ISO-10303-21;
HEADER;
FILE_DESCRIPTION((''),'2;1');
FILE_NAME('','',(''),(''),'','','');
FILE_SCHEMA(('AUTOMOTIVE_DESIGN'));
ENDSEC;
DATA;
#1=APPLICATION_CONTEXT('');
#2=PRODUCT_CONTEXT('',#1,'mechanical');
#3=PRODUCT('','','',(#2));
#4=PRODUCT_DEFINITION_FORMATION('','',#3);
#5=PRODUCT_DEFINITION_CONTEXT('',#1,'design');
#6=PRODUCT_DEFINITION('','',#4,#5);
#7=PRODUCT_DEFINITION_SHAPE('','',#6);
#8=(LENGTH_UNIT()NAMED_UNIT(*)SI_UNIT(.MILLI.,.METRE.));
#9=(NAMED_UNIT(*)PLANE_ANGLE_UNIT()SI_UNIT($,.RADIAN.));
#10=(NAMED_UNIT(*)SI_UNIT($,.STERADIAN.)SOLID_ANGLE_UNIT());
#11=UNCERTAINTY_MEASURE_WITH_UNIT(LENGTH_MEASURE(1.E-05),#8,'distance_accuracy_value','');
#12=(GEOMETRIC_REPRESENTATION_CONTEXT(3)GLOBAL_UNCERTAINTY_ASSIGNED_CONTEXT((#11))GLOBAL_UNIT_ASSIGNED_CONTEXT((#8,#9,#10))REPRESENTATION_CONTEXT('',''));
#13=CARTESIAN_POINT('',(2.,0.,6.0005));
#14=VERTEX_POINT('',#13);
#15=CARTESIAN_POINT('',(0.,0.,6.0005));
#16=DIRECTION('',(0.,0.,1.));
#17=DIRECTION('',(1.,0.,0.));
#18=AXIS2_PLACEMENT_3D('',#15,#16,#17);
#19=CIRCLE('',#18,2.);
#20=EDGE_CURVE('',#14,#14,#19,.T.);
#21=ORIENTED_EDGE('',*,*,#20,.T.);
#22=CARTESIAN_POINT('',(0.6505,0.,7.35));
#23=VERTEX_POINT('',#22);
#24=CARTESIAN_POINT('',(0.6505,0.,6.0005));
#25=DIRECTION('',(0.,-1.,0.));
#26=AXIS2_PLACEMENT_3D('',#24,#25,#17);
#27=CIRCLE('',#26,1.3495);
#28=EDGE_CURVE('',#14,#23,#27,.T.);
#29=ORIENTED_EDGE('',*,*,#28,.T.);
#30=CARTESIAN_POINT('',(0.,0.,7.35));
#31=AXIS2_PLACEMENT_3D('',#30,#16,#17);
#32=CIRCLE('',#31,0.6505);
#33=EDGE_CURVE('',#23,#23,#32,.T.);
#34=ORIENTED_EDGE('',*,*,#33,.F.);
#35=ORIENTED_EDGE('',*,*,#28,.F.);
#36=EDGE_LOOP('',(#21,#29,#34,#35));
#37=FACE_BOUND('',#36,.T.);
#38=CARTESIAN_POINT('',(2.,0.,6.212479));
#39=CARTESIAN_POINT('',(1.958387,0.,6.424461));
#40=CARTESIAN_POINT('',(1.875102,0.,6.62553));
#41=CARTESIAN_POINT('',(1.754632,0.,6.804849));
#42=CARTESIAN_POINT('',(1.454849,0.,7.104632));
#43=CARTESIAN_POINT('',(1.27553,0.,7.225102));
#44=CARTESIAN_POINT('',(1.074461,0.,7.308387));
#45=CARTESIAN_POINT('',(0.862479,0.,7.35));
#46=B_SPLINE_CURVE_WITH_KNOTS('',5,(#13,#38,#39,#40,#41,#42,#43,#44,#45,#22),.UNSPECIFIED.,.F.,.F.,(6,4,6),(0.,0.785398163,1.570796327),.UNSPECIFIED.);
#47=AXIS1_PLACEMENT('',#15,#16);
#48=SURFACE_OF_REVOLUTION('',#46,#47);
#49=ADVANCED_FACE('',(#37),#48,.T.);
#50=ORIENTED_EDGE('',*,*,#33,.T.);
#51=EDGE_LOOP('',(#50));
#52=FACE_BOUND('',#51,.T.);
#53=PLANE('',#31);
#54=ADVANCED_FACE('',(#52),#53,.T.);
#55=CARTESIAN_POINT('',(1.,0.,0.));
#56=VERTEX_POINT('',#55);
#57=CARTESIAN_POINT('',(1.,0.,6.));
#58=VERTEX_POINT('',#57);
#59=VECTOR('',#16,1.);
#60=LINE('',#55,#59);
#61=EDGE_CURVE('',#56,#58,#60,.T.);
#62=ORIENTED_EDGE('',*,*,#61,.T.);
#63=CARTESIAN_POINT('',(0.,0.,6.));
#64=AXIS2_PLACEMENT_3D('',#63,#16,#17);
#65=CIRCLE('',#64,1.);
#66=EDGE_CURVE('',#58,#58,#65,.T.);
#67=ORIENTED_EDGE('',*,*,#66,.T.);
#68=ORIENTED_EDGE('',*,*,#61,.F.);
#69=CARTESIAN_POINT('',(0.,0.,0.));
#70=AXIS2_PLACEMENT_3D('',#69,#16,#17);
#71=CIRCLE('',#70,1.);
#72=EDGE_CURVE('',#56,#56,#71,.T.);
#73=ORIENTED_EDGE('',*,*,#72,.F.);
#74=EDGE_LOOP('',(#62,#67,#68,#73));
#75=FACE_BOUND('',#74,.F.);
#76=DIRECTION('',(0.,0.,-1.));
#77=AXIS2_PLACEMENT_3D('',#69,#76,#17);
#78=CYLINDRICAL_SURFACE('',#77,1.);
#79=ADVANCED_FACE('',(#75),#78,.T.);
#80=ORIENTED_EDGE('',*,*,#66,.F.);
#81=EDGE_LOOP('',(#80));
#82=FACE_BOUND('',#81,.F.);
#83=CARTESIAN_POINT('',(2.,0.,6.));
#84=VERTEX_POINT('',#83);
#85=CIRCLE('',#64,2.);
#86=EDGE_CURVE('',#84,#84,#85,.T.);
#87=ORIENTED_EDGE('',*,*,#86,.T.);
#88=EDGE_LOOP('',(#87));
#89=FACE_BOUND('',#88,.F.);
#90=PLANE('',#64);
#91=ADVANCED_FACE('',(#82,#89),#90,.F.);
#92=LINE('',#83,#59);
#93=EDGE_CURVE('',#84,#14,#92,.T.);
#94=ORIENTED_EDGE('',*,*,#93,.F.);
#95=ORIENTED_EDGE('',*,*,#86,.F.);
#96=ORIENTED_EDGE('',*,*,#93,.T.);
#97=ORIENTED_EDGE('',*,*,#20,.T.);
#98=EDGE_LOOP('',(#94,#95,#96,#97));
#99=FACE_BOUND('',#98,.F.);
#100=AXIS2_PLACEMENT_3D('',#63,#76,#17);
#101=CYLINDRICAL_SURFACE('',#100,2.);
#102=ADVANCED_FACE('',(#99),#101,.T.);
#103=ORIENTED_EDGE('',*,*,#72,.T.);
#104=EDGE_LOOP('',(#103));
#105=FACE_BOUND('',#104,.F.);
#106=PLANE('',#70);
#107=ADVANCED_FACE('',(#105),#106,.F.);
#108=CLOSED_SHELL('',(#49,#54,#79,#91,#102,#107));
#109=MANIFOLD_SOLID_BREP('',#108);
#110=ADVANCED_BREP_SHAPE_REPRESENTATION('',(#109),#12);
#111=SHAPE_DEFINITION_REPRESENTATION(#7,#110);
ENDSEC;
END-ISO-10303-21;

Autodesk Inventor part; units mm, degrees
ref_plane "YZ Plane" through (0, 0, 0) normal (1, 0, 0) x (0, 1, 0)
ref_plane "XZ Plane" through (0, 0, 0) normal (0, 1, 0) x (-1, 0, 0)
ref_plane "XY Plane" through (0, 0, 0) normal (0, 0, 1) x (1, 0, 0)
sketch "スケッチ1" plane through (0, 0, 0) normal (0, 0, 1) x (1, 0, 0)
  circle A0 centre (0, 0) radius 1
  dimension "d0" = 2
extrude "押し出し1" add sketch "スケッチ1" along normal blind 6
sketch "スケッチ2" plane through (0, 0, 6) normal (0, 0, 1) x (1, 0, 0)
  circle A0 centre (0, 0) radius 1 projected
  circle A1 centre (0, 0) radius 2
  dimension "d3" = 4
extrude "押し出し2" add sketch "スケッチ2" along normal blind 1.35 contours A0 | A1
fillet "フィレット1" radius 1.35 1 edges at (-2, 0, 7.35)
thread "ねじ1" size "M3x0.5" class "6g" standard "ANSI Metric M Profile" full length
sketch "スケッチ3" plane through (0, 0, 0) normal (0, 0, -1) x (-1, 0, 0)
  circle A0 centre (0, 0) radius 1 projected
properties part number "SB　M2 6mmなべネジ" material "Steel, Mild"
